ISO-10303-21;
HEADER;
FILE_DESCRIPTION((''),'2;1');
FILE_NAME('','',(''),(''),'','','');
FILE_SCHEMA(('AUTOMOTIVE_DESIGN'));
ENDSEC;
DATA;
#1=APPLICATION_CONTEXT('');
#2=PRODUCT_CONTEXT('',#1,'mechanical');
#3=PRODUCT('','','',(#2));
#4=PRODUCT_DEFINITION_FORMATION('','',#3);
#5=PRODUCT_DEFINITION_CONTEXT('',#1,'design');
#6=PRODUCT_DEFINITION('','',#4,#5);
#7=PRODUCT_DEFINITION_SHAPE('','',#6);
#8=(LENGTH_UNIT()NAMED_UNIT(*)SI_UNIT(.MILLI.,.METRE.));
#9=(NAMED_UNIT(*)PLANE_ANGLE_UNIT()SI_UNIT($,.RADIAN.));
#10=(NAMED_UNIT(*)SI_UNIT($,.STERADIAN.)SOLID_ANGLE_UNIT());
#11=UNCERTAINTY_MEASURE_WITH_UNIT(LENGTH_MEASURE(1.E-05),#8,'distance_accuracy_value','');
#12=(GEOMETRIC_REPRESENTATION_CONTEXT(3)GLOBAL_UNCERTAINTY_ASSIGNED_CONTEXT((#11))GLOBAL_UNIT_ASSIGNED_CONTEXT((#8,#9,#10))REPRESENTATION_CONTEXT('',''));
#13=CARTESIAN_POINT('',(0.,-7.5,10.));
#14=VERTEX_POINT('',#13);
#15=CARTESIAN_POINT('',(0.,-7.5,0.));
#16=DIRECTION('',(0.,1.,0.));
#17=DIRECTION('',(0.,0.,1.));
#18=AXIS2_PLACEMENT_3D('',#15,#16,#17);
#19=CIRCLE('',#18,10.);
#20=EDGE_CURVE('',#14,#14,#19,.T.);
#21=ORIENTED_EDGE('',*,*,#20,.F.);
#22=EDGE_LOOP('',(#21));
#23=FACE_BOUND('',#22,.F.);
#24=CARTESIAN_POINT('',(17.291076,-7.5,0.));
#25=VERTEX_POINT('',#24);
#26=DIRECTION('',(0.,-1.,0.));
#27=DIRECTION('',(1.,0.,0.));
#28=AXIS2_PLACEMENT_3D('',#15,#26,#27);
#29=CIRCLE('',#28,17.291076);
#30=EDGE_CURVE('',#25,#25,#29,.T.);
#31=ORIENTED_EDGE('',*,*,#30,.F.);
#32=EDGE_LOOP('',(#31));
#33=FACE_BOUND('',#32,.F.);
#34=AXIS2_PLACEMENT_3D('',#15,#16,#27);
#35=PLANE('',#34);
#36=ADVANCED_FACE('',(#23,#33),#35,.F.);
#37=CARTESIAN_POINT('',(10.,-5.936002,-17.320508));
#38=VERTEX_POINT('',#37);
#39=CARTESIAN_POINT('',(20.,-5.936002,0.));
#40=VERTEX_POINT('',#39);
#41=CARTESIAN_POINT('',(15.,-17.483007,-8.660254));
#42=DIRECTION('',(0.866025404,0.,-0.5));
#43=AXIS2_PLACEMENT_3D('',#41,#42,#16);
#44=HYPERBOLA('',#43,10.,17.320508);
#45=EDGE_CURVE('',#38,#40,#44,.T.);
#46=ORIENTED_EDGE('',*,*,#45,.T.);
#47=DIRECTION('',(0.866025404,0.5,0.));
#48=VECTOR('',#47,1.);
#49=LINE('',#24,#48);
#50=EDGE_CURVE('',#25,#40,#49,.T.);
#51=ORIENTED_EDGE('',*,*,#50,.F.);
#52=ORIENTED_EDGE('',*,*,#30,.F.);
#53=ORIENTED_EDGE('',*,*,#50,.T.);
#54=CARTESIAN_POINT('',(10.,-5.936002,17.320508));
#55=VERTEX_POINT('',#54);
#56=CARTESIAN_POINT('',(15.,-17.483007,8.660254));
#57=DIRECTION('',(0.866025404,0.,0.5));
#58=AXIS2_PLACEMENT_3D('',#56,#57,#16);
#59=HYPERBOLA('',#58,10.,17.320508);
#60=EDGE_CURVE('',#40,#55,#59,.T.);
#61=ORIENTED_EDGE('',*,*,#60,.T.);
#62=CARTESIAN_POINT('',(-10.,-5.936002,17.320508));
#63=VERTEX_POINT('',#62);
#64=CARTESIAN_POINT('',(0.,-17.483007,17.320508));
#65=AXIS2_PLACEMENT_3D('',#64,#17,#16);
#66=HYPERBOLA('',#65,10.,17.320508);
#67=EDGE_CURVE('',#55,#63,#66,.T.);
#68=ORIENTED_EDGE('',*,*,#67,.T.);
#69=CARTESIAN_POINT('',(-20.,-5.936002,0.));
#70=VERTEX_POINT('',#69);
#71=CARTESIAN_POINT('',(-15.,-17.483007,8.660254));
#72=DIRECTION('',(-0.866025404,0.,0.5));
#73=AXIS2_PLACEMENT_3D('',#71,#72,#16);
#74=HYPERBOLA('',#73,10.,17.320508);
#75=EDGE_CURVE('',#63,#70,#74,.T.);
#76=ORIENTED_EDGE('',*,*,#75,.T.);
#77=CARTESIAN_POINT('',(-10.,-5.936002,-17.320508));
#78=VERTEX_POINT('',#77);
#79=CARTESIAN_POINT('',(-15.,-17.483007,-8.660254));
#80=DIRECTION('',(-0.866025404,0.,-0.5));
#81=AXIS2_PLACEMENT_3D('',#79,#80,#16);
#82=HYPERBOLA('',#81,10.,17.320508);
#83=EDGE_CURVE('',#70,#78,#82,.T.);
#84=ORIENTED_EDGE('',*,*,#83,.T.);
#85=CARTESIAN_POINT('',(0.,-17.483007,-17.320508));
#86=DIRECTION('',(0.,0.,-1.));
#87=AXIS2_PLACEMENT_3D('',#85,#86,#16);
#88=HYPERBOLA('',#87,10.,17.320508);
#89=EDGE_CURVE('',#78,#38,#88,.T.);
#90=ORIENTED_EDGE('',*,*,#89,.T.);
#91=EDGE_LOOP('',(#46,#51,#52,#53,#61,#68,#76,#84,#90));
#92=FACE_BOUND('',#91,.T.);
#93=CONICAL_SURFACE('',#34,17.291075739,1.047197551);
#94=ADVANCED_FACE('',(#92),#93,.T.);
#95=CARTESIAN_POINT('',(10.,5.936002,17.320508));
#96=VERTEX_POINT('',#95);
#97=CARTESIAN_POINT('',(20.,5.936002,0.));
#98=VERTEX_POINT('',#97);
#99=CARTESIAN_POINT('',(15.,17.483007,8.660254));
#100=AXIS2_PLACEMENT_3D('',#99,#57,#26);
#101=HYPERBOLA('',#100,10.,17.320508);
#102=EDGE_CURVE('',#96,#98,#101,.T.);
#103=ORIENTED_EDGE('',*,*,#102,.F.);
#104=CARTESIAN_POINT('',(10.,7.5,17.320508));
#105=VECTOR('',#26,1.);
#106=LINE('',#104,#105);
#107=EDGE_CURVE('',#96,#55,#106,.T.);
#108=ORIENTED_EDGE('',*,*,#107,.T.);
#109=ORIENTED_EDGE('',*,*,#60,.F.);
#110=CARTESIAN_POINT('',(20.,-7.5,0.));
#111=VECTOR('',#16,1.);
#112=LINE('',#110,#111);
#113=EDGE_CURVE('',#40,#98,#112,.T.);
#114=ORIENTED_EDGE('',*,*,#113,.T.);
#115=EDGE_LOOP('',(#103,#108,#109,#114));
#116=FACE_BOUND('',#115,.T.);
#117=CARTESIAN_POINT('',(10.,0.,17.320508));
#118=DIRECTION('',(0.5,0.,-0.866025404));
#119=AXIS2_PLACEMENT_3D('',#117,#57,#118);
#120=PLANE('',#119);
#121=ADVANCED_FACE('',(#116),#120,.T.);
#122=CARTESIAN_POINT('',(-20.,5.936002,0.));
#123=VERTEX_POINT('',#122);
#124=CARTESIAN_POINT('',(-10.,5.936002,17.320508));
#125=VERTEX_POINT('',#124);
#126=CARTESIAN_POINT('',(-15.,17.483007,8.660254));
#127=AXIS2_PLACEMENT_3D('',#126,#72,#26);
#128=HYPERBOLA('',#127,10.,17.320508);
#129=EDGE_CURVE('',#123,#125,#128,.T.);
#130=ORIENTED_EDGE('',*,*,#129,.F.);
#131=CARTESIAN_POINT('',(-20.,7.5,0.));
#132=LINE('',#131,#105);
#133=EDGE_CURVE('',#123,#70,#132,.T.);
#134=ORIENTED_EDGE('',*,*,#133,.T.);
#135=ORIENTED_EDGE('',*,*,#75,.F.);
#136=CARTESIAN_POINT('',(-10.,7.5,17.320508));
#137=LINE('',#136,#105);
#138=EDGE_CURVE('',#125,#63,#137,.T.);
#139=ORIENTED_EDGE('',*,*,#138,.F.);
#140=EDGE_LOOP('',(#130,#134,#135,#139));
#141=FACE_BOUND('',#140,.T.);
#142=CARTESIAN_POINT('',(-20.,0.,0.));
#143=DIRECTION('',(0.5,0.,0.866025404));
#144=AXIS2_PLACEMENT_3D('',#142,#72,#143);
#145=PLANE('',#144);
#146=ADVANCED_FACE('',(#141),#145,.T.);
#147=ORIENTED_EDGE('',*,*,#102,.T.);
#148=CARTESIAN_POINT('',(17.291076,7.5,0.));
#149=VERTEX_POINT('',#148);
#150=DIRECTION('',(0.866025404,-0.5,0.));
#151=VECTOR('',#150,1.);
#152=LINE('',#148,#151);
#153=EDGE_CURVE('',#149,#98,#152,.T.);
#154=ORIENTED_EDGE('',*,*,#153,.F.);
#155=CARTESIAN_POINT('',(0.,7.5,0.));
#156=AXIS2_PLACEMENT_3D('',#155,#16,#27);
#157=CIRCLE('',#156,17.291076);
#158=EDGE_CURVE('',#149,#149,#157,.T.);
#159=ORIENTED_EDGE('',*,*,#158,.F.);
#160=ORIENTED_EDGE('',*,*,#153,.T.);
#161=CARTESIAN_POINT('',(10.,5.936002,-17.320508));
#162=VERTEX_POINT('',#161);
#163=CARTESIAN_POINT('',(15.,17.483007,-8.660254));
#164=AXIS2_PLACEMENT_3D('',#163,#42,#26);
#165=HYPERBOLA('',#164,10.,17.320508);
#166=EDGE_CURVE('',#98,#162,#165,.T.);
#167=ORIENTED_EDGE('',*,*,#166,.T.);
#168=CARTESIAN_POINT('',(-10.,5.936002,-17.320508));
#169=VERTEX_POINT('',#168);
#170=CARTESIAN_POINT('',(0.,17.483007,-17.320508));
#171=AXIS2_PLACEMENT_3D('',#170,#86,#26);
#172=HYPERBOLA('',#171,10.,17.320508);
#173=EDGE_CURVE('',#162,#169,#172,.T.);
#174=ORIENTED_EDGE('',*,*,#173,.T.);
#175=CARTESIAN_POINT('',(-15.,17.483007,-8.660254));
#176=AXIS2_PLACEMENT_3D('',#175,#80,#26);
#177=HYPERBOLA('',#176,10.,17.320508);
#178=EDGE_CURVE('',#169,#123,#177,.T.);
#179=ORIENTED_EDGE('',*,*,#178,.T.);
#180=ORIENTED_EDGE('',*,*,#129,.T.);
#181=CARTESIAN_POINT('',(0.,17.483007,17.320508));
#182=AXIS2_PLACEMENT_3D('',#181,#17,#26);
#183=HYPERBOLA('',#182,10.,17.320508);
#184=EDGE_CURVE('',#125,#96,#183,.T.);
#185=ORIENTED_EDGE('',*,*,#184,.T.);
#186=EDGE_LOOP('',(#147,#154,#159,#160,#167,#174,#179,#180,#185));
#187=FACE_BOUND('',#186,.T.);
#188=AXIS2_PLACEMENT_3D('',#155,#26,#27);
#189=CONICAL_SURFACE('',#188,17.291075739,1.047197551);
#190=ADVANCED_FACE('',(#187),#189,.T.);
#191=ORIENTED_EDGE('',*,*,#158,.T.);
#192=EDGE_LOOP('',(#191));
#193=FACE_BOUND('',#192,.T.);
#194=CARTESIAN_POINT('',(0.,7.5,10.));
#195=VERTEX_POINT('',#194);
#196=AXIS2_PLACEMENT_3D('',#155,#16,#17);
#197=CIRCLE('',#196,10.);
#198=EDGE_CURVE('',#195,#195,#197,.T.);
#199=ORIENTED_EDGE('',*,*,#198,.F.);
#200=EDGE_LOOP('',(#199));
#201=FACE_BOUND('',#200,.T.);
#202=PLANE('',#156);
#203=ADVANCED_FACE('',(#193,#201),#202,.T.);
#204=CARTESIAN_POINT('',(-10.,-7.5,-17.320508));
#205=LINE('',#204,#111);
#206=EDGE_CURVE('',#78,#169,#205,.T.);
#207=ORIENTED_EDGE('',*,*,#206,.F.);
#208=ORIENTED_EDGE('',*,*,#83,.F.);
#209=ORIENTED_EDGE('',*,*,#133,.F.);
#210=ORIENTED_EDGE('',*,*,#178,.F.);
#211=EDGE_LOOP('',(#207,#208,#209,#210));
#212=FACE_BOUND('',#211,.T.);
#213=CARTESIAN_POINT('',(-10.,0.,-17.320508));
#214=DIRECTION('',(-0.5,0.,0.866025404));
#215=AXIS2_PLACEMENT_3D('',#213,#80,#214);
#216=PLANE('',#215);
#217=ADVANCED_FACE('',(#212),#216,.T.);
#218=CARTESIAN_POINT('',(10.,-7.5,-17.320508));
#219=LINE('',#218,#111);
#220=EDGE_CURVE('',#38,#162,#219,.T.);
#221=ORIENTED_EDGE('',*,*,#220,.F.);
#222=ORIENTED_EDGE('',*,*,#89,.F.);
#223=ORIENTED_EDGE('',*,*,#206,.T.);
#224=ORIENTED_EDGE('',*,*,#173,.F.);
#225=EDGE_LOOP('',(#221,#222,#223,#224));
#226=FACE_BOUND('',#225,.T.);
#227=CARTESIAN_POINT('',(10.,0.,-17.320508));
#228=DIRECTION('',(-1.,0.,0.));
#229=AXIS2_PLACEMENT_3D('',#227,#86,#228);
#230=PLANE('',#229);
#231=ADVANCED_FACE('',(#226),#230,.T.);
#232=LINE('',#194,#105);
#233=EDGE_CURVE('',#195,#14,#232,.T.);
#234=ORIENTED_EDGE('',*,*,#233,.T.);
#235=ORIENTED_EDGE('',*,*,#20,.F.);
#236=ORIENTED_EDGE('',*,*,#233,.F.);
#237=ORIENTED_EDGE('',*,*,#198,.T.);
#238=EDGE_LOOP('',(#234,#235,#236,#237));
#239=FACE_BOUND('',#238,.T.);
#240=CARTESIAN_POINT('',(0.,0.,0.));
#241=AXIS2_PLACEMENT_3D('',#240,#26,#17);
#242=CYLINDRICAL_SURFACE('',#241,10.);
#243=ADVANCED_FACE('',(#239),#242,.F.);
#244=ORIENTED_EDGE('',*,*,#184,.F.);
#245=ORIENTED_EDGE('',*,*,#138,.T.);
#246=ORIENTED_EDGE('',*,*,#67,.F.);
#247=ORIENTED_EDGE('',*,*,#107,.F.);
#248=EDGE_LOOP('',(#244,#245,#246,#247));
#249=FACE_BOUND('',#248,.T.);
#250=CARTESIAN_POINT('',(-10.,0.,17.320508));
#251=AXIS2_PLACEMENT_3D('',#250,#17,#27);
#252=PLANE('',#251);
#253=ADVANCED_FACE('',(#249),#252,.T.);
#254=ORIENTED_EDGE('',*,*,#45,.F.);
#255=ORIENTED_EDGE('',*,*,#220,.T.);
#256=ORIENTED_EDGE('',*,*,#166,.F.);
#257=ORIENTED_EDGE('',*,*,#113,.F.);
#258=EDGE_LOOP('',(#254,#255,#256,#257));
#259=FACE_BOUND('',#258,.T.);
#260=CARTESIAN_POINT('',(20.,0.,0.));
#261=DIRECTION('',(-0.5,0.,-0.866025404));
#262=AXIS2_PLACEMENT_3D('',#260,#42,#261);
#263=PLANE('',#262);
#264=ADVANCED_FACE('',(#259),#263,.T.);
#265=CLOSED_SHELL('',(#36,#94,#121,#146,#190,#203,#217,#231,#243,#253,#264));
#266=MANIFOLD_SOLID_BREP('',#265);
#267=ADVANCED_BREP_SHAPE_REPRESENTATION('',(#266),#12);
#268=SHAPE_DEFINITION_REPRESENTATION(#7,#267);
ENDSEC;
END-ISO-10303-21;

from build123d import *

# Parameters (mm, degrees)
SKETCH1_R               = 10
BOSS_EXTRUDE1_DEPTH     = 7.5
SKETCH2_OUTSIDE_W       = 161.82
SKETCH2_OUTSIDE_H       = 156.462
SKETCH2_OUTSIDE_R       = 17.291075739
CUT_EXTRUDE1_DEPTH      = 31.413812651
CUT_EXTRUDE1_DRAFT      = -60
MIRROR1_COPY_1_SKETCH_W = 161.82
MIRROR1_COPY_1_SKETCH_H = 156.462
MIRROR1_COPY_1_SKETCH_R = 17.291075739
MIRROR1_COPY_1_DEPTH    = 31.413812651
MIRROR1_COPY_1_DRAFT    = -60


with BuildPart() as part:
    # Sketch1 → Boss-Extrude1 (new, symmetric)
    with BuildSketch(Plane(origin=(0, 0, 0), x_dir=(1, 0, 0), z_dir=(0, 1, 0))):
        Polygon((10, -17.320508076), (20, 0), (10, 17.320508076), (-10, 17.320508076), (-20, 0), (-10, -17.320508076), align=None)
        with Locations(Location((0, 0, 0), (0, 0, 270))):
            Circle(SKETCH1_R, mode=Mode.SUBTRACT)
    extrude(amount=BOSS_EXTRUDE1_DEPTH, both=True)


with BuildPart() as cut_extrude1_tool:
    # Sketch2 outside → Cut-Extrude1 (with draft: the straight prism first)
    with BuildSketch(Plane(origin=(0, 7.5, 0), x_dir=(1, 0, 0), z_dir=(0, 1, 0))):
        Rectangle(SKETCH2_OUTSIDE_W, SKETCH2_OUTSIDE_H)
        Circle(SKETCH2_OUTSIDE_R, mode=Mode.SUBTRACT)
    extrude(amount=-CUT_EXTRUDE1_DEPTH)
    # Cut-Extrude1: the draft: its side faces are tilted about the plane it starts from
    cut_extrude1_sides = [cut_extrude1_tool.faces().sort_by_distance(p)[0] for p in [
        (0, -8.206906326, 78.231),
        (80.91, -8.206906326, 0),
        (0, -8.206906326, -78.231),
        (-80.91, -8.206906326, 0),
        (-17.291075739, -8.206906326, 0),
    ]]
    draft(cut_extrude1_sides, Plane(origin=(0, 7.5, 0), x_dir=(1, 0, 0), z_dir=(0, 1, 0)), CUT_EXTRUDE1_DRAFT)


with BuildPart() as part_1:
    add(part.part)

    # Cut-Extrude1: cut by cut_extrude1_tool
    add(cut_extrude1_tool.part, mode=Mode.SUBTRACT)


with BuildPart() as mirror1_copy_1_tool:
    # Mirror1 copy 1 sketch → Mirror1 copy 1 (with draft: the straight prism first)
    with BuildSketch(Plane.XZ.offset(7.5)):
        Rectangle(MIRROR1_COPY_1_SKETCH_W, MIRROR1_COPY_1_SKETCH_H)
        Circle(MIRROR1_COPY_1_SKETCH_R, mode=Mode.SUBTRACT)
    extrude(amount=-MIRROR1_COPY_1_DEPTH)
    # Mirror1 copy 1: the draft: its side faces are tilted about the plane it starts from
    mirror1_copy_1_sides = [mirror1_copy_1_tool.faces().sort_by_distance(p)[0] for p in [
        (0, 8.206906326, 78.231),
        (80.91, 8.206906326, 0),
        (0, 8.206906326, -78.231),
        (-80.91, 8.206906326, 0),
        (-17.291075739, 8.206906326, 0),
    ]]
    draft(mirror1_copy_1_sides, Plane.XZ.offset(7.5), MIRROR1_COPY_1_DRAFT)


with BuildPart() as part_2:
    add(part_1.part)

    # Mirror1 copy 1: cut by mirror1_copy_1_tool
    add(mirror1_copy_1_tool.part, mode=Mode.SUBTRACT)


solid = part_2.part
